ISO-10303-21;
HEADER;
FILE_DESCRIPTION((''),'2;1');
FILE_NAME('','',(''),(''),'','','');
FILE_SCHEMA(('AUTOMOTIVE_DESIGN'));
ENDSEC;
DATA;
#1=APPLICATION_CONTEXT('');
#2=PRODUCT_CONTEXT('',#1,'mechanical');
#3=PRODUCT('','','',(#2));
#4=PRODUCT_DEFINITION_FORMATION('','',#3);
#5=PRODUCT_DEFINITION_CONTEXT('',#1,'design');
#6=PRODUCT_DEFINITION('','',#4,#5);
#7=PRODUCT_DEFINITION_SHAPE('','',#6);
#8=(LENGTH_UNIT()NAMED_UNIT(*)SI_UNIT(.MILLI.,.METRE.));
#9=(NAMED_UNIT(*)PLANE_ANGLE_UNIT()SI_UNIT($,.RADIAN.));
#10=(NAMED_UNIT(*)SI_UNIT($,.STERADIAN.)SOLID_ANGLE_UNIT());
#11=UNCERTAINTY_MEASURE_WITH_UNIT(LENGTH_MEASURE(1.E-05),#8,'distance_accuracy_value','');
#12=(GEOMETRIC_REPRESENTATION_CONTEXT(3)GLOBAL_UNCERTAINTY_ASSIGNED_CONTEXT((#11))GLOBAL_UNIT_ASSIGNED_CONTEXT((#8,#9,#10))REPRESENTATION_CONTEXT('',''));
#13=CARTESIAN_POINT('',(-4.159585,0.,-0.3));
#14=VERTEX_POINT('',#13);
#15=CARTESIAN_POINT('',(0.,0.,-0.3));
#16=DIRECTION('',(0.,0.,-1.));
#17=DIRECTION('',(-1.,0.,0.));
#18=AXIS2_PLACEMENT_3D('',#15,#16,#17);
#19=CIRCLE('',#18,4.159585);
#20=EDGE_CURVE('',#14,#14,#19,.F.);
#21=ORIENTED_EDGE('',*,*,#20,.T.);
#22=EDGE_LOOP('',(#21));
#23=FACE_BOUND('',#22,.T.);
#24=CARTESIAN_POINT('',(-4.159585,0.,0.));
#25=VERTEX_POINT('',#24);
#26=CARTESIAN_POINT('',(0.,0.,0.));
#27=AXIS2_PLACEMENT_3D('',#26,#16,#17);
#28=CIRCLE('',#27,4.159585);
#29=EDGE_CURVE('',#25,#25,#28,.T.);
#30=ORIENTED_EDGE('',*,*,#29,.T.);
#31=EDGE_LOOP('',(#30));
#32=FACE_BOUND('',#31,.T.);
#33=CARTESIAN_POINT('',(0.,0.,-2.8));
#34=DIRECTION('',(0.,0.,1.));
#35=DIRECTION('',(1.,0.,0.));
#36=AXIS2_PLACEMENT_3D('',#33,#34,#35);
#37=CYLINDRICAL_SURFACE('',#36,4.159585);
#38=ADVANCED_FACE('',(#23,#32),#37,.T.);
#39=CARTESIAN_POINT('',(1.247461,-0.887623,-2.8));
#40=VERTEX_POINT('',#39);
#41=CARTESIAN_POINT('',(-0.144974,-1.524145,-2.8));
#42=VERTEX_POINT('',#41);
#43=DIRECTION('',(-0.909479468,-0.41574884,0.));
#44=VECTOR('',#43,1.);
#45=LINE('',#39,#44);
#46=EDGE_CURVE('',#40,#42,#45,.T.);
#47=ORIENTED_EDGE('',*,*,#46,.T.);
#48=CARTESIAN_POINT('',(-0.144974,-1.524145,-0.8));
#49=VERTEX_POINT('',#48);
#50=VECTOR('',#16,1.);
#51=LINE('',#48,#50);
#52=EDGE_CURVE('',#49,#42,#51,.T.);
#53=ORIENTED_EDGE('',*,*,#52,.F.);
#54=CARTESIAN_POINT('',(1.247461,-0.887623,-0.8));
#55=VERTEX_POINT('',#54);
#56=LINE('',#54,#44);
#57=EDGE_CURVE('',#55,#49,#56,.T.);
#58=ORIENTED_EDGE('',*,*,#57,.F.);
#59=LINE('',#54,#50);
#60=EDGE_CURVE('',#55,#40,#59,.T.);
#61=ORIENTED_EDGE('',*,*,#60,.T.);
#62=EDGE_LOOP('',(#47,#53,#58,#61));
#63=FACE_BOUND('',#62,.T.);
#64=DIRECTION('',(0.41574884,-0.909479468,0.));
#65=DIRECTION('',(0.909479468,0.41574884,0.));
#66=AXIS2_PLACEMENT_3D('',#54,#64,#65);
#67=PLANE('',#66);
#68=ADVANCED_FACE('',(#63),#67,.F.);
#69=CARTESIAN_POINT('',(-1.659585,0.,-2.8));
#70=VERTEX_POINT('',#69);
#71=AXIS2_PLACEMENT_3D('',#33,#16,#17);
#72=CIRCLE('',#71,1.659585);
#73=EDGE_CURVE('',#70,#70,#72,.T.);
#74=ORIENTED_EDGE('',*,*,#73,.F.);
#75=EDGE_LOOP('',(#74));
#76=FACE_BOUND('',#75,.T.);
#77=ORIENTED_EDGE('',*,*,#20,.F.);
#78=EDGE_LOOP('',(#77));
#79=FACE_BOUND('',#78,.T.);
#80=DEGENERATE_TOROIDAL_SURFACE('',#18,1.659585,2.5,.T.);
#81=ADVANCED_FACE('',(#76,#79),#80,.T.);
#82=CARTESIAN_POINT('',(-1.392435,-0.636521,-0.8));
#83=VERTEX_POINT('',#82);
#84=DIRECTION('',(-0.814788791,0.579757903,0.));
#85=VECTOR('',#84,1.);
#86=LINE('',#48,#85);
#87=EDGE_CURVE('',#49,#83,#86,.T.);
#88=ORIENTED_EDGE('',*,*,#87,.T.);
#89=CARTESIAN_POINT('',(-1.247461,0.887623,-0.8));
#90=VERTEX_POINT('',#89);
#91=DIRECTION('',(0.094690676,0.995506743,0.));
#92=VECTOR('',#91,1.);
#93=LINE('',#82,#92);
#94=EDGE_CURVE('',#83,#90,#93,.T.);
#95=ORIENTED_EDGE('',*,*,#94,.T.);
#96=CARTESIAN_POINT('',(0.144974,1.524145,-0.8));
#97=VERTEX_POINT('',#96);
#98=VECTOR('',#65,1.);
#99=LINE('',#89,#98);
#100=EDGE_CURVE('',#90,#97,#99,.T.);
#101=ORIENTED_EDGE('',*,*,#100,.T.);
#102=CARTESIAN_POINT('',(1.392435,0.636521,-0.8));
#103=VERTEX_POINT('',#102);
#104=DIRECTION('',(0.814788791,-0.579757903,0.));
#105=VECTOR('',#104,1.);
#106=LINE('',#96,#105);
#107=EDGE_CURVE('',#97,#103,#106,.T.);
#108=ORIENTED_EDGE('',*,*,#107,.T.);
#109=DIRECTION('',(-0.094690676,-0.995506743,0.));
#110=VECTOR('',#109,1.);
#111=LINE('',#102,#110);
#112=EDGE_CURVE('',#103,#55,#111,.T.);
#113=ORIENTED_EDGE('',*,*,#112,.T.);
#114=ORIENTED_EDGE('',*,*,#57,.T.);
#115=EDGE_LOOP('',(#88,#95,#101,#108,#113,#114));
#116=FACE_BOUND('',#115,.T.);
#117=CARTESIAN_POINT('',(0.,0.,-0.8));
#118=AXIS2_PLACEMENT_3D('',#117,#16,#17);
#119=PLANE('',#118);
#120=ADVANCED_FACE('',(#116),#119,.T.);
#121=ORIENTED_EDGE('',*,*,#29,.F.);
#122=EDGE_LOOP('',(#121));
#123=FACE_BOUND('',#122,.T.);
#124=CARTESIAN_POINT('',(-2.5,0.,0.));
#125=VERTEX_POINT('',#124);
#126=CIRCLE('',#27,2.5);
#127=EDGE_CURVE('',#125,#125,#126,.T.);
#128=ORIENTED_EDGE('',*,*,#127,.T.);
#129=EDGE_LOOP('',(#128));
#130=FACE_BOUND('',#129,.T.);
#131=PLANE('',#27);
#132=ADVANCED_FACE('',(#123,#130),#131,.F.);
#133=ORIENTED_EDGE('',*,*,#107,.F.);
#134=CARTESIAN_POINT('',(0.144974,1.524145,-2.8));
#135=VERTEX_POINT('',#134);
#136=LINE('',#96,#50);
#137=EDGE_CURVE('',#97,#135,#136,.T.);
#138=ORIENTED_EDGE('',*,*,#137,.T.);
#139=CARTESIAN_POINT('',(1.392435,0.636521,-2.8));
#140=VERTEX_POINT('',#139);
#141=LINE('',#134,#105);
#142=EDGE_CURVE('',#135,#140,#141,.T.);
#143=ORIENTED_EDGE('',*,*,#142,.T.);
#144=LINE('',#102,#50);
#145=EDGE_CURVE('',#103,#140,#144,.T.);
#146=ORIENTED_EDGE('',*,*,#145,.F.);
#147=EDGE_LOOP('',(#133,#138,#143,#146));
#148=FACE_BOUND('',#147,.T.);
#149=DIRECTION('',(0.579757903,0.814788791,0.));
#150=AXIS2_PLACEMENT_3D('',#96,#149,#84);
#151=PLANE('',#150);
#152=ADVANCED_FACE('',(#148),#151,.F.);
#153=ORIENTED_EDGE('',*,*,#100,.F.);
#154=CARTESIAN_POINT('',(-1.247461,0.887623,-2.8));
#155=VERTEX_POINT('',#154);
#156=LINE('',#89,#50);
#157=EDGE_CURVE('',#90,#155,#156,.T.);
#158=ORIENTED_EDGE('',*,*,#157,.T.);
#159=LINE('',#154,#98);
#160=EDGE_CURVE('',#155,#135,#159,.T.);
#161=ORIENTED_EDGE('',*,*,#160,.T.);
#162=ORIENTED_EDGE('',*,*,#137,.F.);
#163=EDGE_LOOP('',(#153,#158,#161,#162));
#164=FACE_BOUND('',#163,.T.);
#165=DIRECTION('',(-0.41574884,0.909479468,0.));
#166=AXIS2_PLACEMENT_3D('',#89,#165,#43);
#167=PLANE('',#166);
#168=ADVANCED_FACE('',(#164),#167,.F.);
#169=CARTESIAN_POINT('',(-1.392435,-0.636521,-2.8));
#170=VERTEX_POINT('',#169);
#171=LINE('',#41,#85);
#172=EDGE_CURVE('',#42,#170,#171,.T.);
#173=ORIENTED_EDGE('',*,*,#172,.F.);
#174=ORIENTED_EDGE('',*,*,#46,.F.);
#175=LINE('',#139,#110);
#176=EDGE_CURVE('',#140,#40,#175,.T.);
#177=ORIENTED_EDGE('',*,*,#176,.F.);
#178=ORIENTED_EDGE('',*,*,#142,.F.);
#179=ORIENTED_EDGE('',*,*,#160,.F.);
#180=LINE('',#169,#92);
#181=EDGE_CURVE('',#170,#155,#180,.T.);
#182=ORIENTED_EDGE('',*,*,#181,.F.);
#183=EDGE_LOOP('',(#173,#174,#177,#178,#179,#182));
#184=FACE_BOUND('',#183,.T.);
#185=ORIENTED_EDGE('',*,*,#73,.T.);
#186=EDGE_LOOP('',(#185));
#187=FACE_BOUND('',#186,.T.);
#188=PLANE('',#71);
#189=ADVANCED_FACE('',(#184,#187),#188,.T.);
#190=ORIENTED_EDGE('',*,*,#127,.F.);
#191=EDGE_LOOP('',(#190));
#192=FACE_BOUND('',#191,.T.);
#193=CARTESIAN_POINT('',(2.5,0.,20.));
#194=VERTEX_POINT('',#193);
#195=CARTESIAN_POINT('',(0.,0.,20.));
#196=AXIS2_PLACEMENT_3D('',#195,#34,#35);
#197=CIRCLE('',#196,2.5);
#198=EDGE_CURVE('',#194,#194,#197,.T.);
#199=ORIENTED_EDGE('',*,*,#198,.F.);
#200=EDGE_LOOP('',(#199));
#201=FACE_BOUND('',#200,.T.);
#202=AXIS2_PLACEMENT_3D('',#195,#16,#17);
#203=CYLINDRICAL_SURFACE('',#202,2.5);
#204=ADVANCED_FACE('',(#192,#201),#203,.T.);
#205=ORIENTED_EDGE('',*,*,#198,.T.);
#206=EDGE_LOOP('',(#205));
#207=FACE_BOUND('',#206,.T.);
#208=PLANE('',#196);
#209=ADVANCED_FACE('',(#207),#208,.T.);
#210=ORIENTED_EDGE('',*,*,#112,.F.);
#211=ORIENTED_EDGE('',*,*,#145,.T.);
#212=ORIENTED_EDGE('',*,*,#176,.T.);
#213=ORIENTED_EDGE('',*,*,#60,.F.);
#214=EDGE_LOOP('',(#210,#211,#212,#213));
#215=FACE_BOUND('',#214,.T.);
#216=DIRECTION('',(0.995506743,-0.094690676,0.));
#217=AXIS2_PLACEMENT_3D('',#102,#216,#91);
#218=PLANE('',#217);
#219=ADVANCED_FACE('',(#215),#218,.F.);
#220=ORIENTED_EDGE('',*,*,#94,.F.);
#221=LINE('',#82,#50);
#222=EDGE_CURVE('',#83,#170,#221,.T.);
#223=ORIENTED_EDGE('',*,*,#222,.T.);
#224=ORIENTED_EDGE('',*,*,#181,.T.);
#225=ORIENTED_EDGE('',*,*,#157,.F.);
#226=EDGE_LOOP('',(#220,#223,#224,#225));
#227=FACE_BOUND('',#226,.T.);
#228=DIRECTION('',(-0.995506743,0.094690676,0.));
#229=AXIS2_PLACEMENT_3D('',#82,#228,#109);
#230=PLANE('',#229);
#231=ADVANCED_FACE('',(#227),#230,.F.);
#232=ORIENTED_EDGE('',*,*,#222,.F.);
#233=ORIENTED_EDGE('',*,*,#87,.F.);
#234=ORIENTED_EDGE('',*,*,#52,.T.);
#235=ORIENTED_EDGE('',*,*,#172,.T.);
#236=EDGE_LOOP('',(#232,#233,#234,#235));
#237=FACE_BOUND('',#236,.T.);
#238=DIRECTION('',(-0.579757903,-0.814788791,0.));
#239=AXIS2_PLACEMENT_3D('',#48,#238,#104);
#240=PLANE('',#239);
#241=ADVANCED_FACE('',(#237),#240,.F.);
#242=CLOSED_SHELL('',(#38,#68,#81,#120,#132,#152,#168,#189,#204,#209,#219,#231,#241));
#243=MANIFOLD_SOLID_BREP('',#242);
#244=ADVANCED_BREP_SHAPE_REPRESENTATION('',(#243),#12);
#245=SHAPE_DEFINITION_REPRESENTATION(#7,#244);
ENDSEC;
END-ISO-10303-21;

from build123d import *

# Parameters (mm, degrees)
SKETCH1_R           = 2.5
BOSS_EXTRUDE1_DEPTH = 20
SKETCH2_R           = 4.159584877
BOSS_EXTRUDE2_DEPTH = 2.8
FILLET1_R           = 2.5
CUT_EXTRUDE1_DEPTH  = 2


with BuildPart() as part:
    # Sketch1 → Boss-Extrude1 (new body)
    with BuildSketch(Plane.XY):
        Circle(SKETCH1_R)
    extrude(amount=BOSS_EXTRUDE1_DEPTH)

    # Sketch2 → Boss-Extrude2 (add)
    with BuildSketch(Plane(origin=(0, 0, 0), x_dir=(-1, 0, 0), z_dir=(0, 0, -1))):
        Circle(SKETCH2_R)
    extrude(amount=BOSS_EXTRUDE2_DEPTH)

    # Fillet1
    fillet1_edges = [part.edges().sort_by_distance(p)[0] for p in [
        (4.159584877, 0, -2.8),
    ]]
    fillet(fillet1_edges, radius=FILLET1_R)

    # Sketch3 → Cut-Extrude1 (cut)
    with BuildSketch(Plane(origin=(0, 0, -2.8), x_dir=(-1, 0, 0), z_dir=(0, 0, -1))):
        Polygon((1.392434699, -0.636521364), (1.247461021, 0.88762314), (-0.144973678, 1.524144504), (-1.392434699, 0.636521364), (-1.247461021, -0.88762314), (0.144973678, -1.524144504), align=None)
    extrude(amount=-CUT_EXTRUDE1_DEPTH, mode=Mode.SUBTRACT)


solid = part.part
